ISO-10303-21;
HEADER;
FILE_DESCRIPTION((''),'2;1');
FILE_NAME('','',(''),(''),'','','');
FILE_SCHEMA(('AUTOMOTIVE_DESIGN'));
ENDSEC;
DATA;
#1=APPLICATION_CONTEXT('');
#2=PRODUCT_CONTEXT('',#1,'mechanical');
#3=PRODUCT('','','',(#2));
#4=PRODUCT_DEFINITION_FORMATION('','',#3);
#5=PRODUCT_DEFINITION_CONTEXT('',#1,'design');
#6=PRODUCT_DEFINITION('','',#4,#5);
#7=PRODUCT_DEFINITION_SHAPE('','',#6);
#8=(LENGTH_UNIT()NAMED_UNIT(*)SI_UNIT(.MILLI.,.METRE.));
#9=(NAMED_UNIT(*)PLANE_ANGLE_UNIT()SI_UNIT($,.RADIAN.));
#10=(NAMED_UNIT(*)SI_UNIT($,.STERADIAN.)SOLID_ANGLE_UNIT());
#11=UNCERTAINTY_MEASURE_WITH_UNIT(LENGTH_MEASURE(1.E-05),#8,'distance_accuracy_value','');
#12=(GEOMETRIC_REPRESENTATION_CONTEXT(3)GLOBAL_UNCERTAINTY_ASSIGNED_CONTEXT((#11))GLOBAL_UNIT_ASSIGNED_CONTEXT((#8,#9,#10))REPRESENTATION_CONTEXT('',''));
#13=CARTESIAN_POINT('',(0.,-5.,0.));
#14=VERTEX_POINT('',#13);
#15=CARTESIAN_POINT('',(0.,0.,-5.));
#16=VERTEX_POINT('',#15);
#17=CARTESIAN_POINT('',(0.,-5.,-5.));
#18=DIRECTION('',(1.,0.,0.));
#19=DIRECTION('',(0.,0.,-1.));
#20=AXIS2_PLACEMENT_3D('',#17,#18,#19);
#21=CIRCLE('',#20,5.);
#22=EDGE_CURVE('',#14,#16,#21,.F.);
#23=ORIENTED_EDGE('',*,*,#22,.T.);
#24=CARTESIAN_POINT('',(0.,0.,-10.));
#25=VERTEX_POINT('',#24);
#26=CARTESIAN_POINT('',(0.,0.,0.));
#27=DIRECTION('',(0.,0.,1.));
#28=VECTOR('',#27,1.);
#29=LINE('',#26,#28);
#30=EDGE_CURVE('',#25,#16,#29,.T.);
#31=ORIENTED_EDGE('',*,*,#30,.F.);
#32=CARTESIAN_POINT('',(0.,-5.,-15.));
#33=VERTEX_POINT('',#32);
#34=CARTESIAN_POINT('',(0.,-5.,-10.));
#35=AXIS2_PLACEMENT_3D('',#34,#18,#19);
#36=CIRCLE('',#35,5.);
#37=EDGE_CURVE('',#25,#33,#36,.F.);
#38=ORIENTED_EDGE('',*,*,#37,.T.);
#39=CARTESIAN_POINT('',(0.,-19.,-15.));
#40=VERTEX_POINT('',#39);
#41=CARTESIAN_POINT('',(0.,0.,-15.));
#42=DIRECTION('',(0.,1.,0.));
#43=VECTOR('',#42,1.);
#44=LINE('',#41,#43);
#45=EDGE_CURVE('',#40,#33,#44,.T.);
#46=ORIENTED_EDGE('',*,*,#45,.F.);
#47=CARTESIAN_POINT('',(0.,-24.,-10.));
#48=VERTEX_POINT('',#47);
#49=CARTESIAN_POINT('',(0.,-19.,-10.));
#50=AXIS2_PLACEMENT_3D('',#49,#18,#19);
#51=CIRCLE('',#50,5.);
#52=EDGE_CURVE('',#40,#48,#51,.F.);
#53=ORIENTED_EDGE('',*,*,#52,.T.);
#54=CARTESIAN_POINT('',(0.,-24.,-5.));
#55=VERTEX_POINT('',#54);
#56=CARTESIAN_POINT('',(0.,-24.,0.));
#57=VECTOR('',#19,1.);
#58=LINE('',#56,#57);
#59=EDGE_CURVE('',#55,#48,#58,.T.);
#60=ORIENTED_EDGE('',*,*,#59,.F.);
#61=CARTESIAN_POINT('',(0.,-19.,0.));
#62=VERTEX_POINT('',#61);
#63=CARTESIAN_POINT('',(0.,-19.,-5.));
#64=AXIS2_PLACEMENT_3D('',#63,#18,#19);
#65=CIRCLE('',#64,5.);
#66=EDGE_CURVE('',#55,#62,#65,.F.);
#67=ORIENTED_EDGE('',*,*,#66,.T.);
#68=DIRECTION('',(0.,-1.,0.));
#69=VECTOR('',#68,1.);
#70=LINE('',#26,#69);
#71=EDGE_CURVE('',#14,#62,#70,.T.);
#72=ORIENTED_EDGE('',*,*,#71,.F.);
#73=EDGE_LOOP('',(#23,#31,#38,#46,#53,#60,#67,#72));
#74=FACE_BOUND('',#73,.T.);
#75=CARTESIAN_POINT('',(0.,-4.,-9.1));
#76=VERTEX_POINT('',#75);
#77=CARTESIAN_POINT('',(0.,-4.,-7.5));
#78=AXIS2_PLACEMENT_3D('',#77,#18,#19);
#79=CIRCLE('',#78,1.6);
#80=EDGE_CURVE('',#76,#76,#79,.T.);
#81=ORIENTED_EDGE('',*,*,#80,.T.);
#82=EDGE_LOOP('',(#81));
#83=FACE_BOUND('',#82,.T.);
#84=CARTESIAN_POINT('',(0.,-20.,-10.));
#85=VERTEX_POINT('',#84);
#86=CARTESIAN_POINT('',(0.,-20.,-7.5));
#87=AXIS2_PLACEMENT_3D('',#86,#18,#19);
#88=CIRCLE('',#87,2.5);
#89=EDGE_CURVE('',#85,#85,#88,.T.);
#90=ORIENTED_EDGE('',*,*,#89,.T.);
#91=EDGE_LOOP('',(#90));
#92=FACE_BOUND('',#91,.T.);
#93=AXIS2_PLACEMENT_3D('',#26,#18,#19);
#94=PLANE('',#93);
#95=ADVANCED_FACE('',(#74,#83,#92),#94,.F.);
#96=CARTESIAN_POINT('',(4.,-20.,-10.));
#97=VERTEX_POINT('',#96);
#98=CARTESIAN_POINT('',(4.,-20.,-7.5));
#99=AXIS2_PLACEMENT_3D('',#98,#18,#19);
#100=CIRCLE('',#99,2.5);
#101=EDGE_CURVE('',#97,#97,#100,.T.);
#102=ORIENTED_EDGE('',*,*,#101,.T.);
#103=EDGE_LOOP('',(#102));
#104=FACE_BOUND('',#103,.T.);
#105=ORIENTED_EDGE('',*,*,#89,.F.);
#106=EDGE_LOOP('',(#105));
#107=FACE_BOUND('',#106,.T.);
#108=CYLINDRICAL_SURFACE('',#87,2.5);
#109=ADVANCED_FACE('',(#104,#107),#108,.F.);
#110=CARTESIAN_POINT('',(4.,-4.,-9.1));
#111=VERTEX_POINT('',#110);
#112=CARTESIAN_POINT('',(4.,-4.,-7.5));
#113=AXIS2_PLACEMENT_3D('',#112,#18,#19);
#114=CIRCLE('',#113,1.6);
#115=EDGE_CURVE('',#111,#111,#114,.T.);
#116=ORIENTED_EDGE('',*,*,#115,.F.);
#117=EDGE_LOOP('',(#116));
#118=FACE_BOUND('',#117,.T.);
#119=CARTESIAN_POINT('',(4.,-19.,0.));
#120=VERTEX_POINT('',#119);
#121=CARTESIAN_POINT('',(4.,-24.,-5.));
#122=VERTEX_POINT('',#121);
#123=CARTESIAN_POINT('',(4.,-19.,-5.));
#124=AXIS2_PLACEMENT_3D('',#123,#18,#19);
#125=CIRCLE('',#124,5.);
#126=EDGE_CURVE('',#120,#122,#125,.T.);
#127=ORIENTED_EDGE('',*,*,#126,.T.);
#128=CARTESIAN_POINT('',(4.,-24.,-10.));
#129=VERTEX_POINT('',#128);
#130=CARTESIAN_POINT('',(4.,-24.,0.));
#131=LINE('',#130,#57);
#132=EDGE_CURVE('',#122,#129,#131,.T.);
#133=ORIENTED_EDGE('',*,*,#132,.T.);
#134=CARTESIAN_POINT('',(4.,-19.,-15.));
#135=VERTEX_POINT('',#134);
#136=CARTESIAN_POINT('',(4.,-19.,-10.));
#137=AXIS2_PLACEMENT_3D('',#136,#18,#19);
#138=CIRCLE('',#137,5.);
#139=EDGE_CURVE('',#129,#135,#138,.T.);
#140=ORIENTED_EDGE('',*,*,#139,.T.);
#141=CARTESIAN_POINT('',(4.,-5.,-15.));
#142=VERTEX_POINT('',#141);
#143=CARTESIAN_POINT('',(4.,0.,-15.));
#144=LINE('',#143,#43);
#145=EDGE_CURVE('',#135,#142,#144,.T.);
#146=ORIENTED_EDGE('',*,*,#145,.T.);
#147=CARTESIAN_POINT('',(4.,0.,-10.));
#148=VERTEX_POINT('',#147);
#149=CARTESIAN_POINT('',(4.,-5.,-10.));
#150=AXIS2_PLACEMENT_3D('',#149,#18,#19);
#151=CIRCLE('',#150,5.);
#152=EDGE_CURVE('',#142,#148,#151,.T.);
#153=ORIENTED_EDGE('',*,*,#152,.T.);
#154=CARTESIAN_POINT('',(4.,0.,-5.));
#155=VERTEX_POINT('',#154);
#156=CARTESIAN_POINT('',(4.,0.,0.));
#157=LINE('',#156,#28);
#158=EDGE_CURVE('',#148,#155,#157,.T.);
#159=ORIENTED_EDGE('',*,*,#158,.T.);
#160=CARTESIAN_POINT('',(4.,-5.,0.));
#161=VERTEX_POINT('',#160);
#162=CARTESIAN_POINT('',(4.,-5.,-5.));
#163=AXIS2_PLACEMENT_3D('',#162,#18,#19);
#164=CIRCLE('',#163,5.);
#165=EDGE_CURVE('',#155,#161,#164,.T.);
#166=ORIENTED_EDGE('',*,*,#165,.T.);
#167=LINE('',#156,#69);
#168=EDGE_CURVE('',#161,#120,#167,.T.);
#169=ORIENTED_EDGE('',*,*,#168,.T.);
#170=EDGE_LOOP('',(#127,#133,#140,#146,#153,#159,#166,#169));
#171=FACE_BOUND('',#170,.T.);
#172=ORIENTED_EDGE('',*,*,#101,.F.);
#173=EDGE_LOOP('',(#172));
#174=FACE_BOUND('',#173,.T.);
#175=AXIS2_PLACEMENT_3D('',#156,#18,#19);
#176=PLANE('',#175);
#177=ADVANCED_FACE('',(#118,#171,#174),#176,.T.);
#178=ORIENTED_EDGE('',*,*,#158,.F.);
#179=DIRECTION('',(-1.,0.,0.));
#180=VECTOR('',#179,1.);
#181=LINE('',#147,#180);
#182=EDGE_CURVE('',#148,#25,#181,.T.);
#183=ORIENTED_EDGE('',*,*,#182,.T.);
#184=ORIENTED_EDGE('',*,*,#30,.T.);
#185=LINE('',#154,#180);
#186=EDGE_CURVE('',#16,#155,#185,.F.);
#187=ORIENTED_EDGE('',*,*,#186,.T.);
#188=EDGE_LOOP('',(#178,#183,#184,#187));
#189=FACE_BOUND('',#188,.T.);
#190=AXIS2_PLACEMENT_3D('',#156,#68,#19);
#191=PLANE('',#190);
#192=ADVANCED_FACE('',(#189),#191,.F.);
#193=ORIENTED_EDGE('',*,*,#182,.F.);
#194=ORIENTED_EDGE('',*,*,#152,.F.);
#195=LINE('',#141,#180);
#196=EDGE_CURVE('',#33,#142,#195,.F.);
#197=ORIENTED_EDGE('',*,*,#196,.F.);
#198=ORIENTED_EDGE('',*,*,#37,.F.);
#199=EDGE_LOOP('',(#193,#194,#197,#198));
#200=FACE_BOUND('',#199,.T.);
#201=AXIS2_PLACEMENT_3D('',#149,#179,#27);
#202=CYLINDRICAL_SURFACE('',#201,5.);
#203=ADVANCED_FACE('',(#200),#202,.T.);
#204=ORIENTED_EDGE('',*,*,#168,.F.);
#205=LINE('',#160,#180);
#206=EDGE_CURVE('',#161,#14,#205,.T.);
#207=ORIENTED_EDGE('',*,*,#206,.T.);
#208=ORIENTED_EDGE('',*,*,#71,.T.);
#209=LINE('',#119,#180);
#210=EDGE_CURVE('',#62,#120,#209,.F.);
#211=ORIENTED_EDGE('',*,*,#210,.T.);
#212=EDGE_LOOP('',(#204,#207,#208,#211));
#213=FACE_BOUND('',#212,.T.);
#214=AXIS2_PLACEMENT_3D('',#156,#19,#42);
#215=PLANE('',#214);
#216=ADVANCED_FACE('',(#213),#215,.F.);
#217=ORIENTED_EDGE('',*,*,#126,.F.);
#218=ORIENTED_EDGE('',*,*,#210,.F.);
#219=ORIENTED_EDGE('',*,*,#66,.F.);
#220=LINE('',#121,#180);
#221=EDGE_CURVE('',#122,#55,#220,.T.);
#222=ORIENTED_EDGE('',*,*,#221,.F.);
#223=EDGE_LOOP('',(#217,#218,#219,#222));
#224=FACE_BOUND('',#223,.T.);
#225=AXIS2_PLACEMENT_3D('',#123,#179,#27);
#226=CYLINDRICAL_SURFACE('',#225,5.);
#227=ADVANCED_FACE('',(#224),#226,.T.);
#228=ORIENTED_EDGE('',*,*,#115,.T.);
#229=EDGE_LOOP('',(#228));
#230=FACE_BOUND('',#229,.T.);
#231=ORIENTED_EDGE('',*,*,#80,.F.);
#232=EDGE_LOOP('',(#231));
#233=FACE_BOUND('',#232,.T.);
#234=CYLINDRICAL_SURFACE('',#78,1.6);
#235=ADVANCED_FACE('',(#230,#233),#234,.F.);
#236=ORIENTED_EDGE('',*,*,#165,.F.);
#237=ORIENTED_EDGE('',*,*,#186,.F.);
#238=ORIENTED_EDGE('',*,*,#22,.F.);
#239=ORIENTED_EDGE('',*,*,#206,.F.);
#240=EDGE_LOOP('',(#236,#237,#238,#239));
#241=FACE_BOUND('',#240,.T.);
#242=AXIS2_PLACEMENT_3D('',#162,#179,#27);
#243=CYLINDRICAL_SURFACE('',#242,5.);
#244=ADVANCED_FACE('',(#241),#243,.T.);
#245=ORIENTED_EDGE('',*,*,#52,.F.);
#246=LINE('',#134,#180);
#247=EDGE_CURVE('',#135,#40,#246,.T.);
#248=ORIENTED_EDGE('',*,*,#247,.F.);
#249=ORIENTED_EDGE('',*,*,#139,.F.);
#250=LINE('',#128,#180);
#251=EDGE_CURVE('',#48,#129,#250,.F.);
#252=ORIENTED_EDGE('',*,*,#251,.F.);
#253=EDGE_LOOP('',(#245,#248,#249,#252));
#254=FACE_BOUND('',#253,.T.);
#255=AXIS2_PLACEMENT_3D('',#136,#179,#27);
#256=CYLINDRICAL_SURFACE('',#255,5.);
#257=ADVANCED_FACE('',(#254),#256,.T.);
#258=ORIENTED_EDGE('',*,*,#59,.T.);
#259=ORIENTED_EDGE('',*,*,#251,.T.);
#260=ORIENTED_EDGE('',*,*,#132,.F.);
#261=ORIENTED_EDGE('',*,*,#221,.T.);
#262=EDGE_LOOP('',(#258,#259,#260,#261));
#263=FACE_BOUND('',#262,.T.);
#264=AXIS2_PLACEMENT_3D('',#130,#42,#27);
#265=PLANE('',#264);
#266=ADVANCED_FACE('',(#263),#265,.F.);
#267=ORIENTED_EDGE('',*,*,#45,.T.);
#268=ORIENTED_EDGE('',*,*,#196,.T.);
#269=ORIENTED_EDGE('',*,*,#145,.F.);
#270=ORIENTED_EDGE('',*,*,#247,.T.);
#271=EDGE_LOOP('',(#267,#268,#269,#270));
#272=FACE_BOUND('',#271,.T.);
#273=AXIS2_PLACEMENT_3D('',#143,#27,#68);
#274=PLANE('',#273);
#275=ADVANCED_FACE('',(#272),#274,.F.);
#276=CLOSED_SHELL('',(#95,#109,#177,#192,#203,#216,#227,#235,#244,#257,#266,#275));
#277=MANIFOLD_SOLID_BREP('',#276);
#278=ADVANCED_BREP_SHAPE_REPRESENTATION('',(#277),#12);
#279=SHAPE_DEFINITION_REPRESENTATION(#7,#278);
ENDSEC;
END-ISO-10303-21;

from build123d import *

# Parameters (mm, degrees)
SKETCH1_W           = 15
SKETCH1_H           = 24
BOSS_EXTRUDE1_DEPTH = 4
SKETCH2_R           = 2.5
SKETCH2_R_2         = 1.6
CUT_EXTRUDE1_DEPTH  = 29.583211856
FILLET1_R           = 5


with BuildPart() as part:
    # Sketch1 → Boss-Extrude1 (new body)
    with BuildSketch(Plane(origin=(0, 0, 0), x_dir=(0, 0, -1), z_dir=(1, 0, 0))):
        with Locations((7.5, -12)):
            Rectangle(SKETCH1_W, SKETCH1_H)
    extrude(amount=BOSS_EXTRUDE1_DEPTH)

    # Sketch2 → Cut-Extrude1 (cut, through all)
    with BuildSketch(Plane(origin=(4, 0, 0), x_dir=(0, 0, -1), z_dir=(1, 0, 0))):
        with Locations((7.5, -20)):
            Circle(SKETCH2_R)
        with Locations((7.5, -4)):
            Circle(SKETCH2_R_2)
    extrude(amount=-CUT_EXTRUDE1_DEPTH, mode=Mode.SUBTRACT)

    # Fillet1
    fillet1_edges = [part.edges().sort_by_distance(p)[0] for p in [
        (2, 0, 0),
        (2, 0, -15),
        (2, -24, -15),
        (2, -24, 0),
    ]]
    fillet(fillet1_edges, radius=FILLET1_R)


solid = part.part
